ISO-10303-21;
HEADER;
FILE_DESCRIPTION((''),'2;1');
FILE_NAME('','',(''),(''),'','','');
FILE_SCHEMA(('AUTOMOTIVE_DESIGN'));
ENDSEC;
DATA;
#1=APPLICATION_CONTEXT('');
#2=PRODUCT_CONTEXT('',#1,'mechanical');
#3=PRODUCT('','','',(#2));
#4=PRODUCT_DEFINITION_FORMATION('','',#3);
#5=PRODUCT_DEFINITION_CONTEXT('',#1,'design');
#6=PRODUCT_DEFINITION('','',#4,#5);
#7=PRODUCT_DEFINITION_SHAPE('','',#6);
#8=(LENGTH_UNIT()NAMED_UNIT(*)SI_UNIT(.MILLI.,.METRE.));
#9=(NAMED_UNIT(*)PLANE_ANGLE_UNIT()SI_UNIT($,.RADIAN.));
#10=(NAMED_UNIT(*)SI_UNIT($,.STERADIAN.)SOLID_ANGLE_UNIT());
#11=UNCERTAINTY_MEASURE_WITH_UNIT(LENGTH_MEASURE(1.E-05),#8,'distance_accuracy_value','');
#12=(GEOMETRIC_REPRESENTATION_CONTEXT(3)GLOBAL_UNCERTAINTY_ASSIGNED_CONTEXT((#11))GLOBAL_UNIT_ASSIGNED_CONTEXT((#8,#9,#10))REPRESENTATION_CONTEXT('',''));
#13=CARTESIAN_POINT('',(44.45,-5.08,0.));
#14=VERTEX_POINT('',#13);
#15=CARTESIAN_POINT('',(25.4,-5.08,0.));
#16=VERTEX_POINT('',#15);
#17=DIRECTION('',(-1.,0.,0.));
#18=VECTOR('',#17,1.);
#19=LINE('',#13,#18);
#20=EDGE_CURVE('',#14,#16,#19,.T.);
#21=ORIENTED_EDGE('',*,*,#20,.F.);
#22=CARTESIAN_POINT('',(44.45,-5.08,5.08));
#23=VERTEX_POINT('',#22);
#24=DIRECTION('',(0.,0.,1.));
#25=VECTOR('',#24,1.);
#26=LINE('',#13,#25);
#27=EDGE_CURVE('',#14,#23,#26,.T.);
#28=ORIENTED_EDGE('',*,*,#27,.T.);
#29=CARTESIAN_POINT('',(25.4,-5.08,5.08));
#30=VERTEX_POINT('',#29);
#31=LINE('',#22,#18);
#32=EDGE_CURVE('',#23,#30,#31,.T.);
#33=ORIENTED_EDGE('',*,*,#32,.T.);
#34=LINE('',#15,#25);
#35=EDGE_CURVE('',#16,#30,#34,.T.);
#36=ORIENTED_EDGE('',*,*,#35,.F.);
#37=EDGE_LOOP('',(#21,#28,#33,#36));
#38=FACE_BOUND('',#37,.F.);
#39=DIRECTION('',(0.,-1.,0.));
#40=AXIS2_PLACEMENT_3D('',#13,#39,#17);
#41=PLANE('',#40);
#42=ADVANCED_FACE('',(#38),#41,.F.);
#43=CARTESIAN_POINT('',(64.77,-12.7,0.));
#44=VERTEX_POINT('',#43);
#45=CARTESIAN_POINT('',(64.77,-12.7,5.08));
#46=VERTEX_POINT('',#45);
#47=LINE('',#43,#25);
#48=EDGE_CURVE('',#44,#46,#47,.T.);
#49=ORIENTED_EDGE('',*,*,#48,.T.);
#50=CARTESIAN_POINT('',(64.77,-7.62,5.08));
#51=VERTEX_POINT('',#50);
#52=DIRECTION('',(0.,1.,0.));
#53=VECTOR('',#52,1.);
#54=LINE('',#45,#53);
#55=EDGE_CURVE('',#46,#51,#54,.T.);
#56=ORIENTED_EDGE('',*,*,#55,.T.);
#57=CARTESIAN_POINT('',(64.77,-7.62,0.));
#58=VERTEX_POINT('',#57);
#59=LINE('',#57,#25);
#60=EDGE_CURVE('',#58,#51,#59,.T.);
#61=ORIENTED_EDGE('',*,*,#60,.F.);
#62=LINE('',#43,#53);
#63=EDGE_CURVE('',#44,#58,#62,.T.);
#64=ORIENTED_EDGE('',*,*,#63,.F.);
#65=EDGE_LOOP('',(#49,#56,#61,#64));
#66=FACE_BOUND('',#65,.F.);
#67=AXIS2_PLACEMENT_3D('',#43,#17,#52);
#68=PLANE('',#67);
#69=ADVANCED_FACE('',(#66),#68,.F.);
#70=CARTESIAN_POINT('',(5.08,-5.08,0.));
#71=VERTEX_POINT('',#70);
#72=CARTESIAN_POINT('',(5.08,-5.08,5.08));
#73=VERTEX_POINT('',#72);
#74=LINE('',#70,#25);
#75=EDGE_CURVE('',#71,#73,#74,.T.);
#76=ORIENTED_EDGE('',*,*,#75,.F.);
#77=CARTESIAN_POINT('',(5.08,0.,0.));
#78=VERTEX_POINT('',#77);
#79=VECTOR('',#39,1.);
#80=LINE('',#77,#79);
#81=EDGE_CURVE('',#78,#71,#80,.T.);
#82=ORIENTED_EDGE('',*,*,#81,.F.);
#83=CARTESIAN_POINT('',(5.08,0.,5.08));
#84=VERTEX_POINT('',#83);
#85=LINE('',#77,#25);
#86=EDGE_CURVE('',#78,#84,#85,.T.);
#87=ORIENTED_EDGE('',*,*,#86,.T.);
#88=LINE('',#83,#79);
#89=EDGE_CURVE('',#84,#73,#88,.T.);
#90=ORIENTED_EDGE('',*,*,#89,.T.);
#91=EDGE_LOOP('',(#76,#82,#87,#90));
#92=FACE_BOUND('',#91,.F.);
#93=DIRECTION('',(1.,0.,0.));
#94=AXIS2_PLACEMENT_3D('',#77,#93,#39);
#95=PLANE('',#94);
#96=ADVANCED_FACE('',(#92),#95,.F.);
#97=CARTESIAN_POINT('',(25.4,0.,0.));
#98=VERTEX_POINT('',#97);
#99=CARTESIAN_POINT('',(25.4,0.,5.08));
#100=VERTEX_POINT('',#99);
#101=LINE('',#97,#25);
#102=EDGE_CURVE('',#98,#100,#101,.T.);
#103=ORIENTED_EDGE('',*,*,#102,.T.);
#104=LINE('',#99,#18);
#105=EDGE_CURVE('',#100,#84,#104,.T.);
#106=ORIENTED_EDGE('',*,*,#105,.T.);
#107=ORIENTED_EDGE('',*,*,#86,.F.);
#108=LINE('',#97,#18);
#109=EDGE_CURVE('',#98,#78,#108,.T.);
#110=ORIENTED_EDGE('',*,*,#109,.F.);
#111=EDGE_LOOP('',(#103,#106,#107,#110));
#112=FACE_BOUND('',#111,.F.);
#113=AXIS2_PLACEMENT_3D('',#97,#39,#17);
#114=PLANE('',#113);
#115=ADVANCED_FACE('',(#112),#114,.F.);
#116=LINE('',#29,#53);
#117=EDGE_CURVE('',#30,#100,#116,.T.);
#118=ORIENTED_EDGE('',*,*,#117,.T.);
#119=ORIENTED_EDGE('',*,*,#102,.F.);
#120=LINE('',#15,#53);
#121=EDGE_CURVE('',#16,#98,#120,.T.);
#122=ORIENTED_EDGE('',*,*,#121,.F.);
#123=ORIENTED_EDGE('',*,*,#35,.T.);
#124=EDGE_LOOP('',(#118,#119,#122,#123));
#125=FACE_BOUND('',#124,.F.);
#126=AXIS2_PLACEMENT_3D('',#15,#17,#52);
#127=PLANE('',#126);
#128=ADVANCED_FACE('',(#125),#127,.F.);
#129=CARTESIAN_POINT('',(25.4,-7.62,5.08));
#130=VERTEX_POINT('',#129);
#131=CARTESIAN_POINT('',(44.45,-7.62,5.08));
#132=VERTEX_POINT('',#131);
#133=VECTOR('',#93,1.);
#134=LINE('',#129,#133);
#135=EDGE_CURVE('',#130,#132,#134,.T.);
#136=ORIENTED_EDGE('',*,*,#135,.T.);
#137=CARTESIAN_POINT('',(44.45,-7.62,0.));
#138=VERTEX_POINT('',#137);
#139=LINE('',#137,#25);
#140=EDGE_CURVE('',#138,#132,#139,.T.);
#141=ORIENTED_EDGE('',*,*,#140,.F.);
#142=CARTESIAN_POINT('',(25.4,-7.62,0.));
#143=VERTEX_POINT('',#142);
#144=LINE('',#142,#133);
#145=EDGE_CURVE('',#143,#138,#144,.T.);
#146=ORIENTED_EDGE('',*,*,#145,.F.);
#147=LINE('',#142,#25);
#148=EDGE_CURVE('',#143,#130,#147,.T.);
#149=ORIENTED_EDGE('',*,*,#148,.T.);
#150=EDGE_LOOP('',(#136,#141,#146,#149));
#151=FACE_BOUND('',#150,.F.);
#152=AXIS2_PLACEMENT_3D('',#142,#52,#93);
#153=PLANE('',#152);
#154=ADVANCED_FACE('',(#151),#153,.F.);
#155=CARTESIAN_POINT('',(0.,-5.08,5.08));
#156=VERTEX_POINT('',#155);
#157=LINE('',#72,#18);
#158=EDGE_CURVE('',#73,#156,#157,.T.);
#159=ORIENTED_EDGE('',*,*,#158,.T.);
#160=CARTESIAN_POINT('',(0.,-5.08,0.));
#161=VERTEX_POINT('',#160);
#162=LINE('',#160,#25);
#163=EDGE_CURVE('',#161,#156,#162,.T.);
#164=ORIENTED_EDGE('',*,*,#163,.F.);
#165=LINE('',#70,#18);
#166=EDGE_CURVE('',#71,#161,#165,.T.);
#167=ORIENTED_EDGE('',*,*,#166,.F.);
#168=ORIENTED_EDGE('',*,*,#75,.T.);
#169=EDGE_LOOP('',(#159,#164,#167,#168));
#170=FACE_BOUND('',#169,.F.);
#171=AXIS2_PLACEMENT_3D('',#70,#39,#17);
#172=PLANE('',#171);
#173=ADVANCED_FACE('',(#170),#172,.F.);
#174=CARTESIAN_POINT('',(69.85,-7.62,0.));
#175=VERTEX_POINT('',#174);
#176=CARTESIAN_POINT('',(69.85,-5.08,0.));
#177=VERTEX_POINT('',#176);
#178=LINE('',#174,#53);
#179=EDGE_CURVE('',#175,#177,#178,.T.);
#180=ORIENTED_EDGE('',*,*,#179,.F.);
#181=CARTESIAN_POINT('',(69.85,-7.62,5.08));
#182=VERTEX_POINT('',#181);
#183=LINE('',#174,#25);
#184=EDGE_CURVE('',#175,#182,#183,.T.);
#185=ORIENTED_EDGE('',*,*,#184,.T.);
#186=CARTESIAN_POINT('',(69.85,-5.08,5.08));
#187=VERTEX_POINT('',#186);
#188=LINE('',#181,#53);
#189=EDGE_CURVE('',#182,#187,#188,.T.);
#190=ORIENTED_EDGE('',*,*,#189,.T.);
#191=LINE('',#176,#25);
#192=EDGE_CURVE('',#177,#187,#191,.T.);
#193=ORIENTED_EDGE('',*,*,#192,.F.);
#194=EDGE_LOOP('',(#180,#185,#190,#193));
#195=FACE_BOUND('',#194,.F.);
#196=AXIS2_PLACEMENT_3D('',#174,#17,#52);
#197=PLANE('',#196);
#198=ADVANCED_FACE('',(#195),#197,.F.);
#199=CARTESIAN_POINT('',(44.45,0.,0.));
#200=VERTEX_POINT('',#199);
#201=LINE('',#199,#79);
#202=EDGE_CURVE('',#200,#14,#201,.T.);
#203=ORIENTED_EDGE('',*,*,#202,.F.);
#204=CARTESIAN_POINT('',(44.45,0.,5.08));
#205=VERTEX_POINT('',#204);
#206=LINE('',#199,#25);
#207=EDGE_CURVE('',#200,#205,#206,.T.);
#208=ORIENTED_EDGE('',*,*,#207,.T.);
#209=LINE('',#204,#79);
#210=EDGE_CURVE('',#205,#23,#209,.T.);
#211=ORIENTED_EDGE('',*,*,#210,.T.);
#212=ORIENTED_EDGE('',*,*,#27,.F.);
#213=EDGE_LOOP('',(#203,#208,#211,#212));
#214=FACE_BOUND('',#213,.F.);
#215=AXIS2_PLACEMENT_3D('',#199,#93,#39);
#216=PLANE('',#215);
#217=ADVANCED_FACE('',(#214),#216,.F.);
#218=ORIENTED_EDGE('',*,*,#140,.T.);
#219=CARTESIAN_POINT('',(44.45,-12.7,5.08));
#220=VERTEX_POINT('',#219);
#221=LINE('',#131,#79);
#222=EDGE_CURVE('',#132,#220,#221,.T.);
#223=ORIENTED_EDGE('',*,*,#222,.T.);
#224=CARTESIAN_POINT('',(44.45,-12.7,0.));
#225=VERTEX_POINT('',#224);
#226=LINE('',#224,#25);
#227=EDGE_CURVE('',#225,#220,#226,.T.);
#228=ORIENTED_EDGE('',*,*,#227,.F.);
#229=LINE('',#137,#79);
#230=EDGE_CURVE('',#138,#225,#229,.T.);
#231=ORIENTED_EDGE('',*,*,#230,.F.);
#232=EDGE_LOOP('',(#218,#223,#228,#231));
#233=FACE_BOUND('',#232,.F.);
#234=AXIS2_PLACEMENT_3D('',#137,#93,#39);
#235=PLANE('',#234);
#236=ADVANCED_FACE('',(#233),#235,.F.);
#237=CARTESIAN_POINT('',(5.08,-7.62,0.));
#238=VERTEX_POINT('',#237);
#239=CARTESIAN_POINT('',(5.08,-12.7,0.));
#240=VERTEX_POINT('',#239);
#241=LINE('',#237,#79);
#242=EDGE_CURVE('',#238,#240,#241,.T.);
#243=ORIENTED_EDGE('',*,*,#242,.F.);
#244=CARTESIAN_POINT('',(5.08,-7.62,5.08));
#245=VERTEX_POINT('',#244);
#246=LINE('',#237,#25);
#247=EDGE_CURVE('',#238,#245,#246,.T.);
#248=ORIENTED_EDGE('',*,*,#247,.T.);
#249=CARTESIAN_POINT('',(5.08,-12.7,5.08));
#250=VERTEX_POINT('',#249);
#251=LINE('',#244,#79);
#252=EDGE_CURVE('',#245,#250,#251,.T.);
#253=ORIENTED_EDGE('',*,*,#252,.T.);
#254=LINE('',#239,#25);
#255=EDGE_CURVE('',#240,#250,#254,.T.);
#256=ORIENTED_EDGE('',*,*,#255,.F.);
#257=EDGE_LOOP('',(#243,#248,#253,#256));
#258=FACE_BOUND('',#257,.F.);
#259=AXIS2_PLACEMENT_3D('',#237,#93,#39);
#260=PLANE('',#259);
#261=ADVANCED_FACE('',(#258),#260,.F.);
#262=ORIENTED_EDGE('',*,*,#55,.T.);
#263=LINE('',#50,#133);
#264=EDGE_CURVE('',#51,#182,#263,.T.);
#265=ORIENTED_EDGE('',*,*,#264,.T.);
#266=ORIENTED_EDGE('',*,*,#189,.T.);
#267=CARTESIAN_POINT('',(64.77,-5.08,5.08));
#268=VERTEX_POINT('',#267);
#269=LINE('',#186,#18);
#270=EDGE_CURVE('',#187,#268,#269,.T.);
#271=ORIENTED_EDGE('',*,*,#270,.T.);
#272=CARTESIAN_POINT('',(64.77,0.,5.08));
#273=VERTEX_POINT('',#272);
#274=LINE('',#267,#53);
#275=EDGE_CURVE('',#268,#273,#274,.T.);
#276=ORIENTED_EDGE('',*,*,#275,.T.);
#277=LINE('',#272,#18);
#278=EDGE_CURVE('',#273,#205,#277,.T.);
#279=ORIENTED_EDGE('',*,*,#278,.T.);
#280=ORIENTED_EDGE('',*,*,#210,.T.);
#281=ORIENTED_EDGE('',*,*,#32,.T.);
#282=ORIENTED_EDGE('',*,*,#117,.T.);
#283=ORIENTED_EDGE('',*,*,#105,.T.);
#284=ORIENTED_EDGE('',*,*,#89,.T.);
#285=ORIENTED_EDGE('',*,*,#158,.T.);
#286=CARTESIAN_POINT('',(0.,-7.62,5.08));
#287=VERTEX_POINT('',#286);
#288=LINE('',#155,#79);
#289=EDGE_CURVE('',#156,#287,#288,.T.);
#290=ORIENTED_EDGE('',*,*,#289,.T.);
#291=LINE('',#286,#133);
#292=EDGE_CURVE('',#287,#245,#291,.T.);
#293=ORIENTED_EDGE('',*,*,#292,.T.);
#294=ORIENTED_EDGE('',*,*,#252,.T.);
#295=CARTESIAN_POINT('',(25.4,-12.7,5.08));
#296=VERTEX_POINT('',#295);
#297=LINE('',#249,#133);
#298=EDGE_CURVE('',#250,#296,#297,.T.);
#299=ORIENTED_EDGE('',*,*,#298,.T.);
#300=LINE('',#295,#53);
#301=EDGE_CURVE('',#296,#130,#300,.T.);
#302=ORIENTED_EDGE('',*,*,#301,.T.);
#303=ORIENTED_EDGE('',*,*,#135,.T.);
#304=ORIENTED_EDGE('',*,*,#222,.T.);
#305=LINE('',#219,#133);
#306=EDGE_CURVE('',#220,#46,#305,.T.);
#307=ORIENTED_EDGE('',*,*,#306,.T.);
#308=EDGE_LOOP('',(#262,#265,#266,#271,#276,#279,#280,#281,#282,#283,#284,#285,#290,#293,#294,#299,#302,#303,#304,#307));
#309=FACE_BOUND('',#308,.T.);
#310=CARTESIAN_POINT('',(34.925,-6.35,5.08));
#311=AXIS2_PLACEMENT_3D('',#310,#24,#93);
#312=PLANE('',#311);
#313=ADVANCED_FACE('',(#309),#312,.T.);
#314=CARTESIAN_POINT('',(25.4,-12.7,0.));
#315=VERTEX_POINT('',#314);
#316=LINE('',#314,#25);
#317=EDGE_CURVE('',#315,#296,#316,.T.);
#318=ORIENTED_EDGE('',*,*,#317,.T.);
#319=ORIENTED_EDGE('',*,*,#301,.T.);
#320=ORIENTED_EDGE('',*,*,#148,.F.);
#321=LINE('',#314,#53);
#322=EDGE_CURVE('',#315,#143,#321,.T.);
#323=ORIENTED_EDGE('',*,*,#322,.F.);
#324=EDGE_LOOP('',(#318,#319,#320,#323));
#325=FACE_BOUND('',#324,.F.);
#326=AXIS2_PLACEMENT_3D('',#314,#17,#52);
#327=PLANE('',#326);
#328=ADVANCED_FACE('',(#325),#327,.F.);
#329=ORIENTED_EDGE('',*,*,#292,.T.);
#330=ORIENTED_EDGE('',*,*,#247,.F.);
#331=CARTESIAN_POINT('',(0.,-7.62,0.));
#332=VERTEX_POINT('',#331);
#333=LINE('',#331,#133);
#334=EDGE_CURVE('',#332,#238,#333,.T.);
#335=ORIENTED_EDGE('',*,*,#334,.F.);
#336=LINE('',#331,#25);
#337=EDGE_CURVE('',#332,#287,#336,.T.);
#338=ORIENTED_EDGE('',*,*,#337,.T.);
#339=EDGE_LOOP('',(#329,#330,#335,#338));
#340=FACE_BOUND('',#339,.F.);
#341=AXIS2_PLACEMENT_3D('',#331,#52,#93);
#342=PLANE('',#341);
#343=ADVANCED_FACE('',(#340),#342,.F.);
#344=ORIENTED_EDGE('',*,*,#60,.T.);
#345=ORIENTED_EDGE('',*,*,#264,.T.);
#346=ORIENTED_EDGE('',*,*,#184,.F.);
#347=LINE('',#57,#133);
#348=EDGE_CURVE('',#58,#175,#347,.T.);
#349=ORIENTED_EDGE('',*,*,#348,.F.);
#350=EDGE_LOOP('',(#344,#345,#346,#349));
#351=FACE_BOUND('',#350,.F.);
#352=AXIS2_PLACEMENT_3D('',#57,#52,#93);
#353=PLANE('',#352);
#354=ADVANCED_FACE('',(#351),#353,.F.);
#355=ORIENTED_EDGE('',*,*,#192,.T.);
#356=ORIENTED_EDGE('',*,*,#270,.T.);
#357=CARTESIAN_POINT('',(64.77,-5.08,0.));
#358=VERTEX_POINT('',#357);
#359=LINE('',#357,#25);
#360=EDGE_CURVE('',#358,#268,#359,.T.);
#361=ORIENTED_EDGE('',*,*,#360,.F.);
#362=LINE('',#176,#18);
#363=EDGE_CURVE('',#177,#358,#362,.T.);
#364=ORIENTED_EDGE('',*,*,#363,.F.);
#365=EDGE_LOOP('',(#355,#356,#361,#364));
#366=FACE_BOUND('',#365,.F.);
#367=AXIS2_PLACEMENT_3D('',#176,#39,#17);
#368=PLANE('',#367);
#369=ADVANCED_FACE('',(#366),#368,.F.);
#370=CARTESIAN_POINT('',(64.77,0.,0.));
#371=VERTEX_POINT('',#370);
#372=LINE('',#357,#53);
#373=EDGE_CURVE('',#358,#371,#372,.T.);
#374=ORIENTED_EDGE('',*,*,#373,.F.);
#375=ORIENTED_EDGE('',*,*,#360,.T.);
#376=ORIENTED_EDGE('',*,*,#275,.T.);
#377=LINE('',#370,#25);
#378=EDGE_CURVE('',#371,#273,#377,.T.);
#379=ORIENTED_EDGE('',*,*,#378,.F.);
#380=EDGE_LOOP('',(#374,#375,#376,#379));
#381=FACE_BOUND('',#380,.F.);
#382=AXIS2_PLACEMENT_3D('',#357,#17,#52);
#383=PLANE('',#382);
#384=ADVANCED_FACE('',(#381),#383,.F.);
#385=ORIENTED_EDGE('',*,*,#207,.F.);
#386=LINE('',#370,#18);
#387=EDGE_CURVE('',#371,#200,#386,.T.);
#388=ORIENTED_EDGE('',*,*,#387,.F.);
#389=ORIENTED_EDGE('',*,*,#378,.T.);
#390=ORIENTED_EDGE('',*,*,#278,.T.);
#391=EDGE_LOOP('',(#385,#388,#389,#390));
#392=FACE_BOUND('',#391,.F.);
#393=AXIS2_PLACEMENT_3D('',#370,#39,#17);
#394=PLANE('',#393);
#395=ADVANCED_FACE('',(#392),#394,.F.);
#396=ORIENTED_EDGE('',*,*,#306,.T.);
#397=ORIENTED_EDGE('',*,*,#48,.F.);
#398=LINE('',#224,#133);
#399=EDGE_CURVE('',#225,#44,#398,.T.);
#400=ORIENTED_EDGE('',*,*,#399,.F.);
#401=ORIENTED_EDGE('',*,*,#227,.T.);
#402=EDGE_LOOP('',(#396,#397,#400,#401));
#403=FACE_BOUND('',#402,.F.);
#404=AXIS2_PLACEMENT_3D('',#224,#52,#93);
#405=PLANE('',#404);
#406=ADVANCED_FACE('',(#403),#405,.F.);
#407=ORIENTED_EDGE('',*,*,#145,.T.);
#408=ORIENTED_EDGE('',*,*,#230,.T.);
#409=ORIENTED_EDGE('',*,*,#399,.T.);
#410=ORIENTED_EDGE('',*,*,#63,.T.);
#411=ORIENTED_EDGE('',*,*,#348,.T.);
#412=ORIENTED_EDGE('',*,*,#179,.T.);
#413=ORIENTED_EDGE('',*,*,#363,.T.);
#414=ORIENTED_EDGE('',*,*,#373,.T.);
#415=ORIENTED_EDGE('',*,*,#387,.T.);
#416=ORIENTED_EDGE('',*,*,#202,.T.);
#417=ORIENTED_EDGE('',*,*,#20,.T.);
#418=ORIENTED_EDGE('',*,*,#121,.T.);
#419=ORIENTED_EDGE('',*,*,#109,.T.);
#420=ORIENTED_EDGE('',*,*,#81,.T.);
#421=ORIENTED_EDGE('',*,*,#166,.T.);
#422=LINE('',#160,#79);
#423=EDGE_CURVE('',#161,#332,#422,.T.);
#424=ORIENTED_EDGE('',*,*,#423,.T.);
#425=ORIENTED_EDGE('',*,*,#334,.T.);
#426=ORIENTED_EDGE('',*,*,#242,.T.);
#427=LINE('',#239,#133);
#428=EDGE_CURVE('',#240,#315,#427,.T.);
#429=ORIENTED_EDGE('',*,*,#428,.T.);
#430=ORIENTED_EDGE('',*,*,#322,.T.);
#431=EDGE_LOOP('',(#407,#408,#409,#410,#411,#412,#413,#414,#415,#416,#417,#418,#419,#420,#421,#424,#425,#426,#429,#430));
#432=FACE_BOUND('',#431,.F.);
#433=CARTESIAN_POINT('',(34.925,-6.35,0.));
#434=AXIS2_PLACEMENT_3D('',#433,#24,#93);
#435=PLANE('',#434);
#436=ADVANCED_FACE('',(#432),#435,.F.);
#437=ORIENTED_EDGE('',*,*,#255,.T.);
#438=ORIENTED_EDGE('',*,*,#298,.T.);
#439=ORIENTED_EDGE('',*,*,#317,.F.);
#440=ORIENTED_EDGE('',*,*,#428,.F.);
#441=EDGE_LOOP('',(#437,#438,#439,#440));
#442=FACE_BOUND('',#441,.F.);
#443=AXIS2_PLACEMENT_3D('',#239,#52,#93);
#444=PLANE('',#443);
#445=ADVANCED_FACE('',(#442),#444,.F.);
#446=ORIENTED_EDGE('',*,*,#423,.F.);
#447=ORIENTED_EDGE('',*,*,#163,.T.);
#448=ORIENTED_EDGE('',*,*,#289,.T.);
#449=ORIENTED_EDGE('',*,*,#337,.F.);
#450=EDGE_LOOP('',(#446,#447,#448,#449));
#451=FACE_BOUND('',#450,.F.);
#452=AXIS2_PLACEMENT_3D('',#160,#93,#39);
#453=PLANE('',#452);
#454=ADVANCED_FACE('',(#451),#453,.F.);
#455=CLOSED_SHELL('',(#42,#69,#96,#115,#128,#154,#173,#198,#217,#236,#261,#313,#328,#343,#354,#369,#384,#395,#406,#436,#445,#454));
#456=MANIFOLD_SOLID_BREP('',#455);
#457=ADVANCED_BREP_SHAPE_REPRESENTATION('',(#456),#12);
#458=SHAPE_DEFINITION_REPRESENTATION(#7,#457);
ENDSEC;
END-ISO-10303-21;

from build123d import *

# Parameters (mm, degrees)
F1_DEPTH = 5.08


with BuildPart() as f1:
    # F0 (on Top) → F1 (new body)
    with BuildSketch(Plane.XY):
        Polygon((25.4, 0), (5.08, 0), (5.08, -5.08), (0, -5.08), (0, -7.62), (5.08, -7.62), (5.08, -12.7), (25.4, -12.7), (25.4, -7.62), (44.45, -7.62), (44.45, -12.7), (64.77, -12.7), (64.77, -7.62), (69.85, -7.62), (69.85, -5.08), (64.77, -5.08), (64.77, 0), (44.45, 0), (44.45, -5.08), (25.4, -5.08), align=None)
    extrude(amount=F1_DEPTH)


solid = f1.part
